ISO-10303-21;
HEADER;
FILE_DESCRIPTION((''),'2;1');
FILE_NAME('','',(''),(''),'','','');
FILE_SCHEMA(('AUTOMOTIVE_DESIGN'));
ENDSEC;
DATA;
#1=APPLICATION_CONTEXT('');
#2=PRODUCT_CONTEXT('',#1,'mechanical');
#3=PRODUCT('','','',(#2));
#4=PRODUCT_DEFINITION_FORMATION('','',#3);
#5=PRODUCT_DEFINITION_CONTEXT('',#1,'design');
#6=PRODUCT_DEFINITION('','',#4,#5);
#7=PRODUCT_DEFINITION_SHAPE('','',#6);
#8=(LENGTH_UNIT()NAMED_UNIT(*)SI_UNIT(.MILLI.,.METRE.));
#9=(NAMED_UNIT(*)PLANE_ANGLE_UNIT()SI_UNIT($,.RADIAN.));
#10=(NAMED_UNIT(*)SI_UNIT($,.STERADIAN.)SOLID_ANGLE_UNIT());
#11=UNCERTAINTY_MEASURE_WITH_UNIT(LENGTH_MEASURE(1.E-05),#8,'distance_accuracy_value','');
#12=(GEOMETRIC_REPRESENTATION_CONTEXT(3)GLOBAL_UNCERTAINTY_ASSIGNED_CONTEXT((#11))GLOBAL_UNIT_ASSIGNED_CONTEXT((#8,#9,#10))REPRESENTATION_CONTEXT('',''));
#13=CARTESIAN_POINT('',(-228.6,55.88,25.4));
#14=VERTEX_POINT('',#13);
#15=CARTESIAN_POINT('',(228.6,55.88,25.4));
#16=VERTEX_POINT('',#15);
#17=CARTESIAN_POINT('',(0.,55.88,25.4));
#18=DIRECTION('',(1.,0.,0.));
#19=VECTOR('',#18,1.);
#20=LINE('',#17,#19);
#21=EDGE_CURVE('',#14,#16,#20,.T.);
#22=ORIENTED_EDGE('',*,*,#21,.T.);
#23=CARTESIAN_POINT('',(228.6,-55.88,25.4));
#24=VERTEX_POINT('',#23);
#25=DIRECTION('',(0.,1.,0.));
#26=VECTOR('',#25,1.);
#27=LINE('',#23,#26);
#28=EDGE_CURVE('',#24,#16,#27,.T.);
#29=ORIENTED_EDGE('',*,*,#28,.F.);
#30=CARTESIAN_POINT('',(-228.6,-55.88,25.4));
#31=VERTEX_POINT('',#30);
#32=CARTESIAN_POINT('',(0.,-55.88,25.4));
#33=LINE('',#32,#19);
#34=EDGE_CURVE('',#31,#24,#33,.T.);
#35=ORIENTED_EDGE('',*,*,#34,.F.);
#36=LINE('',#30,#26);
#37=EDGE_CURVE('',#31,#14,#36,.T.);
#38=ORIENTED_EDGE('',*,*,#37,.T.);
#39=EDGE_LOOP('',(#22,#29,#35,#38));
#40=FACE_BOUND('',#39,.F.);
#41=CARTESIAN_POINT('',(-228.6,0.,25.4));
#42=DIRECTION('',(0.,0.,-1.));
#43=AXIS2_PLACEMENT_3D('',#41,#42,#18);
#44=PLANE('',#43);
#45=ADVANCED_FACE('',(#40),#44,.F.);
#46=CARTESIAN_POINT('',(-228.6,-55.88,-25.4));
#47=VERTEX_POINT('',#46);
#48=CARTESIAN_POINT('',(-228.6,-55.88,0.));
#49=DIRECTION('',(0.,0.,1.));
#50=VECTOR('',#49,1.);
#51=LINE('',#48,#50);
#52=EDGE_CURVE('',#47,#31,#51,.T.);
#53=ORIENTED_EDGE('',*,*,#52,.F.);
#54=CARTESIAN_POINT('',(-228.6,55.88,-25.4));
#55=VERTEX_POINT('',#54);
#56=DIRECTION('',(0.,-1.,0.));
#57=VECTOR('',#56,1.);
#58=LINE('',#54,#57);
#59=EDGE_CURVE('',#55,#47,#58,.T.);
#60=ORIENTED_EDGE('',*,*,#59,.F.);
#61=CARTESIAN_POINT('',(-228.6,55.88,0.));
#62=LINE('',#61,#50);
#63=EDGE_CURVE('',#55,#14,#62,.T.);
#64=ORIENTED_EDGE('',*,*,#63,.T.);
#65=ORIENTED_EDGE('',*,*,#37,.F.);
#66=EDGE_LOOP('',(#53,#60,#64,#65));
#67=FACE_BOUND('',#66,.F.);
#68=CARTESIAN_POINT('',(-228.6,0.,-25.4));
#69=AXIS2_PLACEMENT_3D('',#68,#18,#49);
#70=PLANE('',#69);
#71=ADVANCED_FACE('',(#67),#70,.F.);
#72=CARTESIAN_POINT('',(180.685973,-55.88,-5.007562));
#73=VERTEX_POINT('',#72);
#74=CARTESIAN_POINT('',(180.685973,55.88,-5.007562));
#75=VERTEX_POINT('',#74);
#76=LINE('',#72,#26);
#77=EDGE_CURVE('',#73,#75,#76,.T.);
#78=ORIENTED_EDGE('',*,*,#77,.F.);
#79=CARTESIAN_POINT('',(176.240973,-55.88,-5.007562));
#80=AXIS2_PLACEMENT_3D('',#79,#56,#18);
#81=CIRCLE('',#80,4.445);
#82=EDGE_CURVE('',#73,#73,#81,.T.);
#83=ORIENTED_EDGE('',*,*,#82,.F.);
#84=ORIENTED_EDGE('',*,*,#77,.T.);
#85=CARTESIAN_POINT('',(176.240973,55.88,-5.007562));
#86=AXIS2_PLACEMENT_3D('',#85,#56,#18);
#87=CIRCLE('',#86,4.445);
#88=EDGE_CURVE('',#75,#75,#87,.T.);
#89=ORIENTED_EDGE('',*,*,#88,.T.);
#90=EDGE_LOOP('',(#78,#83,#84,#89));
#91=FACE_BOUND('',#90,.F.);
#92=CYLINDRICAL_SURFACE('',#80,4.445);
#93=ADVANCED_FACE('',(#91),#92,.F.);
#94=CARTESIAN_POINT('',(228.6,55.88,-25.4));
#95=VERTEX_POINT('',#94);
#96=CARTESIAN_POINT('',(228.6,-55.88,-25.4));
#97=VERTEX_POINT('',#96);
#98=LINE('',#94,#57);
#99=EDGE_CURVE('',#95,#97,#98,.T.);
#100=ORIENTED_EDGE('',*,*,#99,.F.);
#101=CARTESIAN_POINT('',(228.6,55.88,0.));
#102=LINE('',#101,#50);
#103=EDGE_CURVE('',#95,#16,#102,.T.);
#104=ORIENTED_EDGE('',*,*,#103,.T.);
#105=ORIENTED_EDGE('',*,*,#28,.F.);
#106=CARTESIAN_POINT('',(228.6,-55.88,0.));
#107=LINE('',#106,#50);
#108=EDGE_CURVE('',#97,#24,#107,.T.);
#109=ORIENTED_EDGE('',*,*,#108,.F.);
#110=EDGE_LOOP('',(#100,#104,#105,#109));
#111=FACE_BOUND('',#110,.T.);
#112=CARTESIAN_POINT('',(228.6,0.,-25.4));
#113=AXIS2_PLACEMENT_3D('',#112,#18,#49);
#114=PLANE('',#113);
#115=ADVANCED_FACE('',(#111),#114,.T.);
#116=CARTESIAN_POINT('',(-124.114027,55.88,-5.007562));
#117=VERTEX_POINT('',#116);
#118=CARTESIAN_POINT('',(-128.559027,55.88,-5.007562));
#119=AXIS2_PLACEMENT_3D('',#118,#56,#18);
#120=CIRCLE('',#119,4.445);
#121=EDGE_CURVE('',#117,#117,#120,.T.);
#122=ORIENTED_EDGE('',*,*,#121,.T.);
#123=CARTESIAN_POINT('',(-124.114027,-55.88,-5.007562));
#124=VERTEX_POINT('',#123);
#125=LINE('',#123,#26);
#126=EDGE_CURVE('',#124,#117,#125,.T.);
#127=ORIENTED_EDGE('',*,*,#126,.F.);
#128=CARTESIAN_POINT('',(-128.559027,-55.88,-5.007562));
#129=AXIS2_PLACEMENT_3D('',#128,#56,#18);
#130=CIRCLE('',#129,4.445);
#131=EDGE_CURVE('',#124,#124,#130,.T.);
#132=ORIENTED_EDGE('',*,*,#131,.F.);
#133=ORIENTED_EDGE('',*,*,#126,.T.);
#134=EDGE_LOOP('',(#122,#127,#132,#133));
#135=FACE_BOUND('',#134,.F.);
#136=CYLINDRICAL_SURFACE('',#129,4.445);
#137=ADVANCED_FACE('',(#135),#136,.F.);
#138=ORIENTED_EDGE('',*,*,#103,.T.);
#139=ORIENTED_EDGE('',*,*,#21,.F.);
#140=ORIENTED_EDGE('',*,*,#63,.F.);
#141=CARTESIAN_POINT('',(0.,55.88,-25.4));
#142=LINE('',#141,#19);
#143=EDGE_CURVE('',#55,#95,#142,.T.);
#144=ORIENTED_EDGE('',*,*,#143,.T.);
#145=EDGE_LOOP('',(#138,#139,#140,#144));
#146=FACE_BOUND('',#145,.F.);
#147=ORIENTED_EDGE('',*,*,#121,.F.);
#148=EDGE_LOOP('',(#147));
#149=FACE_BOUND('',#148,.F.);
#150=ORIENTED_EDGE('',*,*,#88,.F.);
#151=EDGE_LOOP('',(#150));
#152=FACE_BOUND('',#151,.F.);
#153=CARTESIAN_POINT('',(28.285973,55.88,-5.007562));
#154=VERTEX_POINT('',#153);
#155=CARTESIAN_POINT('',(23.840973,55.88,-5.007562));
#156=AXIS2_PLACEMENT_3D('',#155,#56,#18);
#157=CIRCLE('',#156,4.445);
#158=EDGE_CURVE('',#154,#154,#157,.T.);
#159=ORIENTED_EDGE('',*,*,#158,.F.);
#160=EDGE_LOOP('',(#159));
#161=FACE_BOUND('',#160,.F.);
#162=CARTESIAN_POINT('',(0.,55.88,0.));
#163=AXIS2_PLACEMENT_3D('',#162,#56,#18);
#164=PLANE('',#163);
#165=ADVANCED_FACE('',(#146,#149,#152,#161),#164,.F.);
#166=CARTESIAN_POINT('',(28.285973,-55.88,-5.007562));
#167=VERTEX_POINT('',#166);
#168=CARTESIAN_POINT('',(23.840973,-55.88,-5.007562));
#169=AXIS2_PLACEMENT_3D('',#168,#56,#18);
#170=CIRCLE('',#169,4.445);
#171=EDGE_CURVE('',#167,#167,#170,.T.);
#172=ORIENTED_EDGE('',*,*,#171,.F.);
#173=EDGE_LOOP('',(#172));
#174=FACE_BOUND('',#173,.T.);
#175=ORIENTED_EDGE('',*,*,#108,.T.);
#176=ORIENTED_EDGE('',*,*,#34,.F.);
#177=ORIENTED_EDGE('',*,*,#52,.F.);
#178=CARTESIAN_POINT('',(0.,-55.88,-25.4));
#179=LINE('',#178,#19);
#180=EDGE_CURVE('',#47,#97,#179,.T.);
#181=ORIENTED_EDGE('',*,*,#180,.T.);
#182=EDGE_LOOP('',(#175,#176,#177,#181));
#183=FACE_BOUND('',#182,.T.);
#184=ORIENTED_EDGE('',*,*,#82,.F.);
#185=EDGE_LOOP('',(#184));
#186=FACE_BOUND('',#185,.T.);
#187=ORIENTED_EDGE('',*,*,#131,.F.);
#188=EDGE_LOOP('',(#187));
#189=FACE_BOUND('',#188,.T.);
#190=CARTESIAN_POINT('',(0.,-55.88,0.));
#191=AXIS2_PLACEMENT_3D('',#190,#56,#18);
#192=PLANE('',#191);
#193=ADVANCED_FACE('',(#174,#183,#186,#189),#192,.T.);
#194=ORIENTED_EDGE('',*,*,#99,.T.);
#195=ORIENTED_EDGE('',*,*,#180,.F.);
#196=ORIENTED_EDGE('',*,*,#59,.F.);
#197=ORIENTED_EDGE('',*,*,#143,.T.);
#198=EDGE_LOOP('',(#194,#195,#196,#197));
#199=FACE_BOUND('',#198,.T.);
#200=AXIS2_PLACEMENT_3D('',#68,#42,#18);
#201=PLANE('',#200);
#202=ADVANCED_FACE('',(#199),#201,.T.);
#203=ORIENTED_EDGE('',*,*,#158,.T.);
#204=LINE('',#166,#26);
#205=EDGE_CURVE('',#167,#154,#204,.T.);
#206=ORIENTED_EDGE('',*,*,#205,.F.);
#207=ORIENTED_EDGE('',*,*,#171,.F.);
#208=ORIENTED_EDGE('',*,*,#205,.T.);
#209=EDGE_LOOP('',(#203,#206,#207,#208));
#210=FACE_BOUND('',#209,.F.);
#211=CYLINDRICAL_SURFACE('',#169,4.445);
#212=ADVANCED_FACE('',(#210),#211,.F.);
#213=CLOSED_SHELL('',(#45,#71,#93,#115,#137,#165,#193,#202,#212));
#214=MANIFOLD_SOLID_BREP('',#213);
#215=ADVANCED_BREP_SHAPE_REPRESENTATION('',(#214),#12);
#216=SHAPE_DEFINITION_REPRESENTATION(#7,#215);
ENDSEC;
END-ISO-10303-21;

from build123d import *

# Parameters (mm, degrees)
F0_W     = 457.2
F0_H     = 50.8
F1_DEPTH = 55.88
F2_R     = 4.445
F3_DEPTH = 111.76


with BuildPart() as f1:
    # F0 (on Front) → F1 (new body, symmetric)
    with BuildSketch(Plane.XZ):
        Rectangle(F0_W, F0_H)
    extrude(amount=F1_DEPTH, both=True)

    # F2 (on face) → F3 (cut, through all)
    with BuildSketch(Plane.XZ.offset(55.88)):
        with Locations((-128.559027, -5.007562)):
            Circle(F2_R)
        with Locations((23.840973, -5.007562)):
            Circle(F2_R)
        with Locations((176.240973, -5.007562)):
            Circle(F2_R)
    extrude(amount=-F3_DEPTH, mode=Mode.SUBTRACT)


solid = f1.part
